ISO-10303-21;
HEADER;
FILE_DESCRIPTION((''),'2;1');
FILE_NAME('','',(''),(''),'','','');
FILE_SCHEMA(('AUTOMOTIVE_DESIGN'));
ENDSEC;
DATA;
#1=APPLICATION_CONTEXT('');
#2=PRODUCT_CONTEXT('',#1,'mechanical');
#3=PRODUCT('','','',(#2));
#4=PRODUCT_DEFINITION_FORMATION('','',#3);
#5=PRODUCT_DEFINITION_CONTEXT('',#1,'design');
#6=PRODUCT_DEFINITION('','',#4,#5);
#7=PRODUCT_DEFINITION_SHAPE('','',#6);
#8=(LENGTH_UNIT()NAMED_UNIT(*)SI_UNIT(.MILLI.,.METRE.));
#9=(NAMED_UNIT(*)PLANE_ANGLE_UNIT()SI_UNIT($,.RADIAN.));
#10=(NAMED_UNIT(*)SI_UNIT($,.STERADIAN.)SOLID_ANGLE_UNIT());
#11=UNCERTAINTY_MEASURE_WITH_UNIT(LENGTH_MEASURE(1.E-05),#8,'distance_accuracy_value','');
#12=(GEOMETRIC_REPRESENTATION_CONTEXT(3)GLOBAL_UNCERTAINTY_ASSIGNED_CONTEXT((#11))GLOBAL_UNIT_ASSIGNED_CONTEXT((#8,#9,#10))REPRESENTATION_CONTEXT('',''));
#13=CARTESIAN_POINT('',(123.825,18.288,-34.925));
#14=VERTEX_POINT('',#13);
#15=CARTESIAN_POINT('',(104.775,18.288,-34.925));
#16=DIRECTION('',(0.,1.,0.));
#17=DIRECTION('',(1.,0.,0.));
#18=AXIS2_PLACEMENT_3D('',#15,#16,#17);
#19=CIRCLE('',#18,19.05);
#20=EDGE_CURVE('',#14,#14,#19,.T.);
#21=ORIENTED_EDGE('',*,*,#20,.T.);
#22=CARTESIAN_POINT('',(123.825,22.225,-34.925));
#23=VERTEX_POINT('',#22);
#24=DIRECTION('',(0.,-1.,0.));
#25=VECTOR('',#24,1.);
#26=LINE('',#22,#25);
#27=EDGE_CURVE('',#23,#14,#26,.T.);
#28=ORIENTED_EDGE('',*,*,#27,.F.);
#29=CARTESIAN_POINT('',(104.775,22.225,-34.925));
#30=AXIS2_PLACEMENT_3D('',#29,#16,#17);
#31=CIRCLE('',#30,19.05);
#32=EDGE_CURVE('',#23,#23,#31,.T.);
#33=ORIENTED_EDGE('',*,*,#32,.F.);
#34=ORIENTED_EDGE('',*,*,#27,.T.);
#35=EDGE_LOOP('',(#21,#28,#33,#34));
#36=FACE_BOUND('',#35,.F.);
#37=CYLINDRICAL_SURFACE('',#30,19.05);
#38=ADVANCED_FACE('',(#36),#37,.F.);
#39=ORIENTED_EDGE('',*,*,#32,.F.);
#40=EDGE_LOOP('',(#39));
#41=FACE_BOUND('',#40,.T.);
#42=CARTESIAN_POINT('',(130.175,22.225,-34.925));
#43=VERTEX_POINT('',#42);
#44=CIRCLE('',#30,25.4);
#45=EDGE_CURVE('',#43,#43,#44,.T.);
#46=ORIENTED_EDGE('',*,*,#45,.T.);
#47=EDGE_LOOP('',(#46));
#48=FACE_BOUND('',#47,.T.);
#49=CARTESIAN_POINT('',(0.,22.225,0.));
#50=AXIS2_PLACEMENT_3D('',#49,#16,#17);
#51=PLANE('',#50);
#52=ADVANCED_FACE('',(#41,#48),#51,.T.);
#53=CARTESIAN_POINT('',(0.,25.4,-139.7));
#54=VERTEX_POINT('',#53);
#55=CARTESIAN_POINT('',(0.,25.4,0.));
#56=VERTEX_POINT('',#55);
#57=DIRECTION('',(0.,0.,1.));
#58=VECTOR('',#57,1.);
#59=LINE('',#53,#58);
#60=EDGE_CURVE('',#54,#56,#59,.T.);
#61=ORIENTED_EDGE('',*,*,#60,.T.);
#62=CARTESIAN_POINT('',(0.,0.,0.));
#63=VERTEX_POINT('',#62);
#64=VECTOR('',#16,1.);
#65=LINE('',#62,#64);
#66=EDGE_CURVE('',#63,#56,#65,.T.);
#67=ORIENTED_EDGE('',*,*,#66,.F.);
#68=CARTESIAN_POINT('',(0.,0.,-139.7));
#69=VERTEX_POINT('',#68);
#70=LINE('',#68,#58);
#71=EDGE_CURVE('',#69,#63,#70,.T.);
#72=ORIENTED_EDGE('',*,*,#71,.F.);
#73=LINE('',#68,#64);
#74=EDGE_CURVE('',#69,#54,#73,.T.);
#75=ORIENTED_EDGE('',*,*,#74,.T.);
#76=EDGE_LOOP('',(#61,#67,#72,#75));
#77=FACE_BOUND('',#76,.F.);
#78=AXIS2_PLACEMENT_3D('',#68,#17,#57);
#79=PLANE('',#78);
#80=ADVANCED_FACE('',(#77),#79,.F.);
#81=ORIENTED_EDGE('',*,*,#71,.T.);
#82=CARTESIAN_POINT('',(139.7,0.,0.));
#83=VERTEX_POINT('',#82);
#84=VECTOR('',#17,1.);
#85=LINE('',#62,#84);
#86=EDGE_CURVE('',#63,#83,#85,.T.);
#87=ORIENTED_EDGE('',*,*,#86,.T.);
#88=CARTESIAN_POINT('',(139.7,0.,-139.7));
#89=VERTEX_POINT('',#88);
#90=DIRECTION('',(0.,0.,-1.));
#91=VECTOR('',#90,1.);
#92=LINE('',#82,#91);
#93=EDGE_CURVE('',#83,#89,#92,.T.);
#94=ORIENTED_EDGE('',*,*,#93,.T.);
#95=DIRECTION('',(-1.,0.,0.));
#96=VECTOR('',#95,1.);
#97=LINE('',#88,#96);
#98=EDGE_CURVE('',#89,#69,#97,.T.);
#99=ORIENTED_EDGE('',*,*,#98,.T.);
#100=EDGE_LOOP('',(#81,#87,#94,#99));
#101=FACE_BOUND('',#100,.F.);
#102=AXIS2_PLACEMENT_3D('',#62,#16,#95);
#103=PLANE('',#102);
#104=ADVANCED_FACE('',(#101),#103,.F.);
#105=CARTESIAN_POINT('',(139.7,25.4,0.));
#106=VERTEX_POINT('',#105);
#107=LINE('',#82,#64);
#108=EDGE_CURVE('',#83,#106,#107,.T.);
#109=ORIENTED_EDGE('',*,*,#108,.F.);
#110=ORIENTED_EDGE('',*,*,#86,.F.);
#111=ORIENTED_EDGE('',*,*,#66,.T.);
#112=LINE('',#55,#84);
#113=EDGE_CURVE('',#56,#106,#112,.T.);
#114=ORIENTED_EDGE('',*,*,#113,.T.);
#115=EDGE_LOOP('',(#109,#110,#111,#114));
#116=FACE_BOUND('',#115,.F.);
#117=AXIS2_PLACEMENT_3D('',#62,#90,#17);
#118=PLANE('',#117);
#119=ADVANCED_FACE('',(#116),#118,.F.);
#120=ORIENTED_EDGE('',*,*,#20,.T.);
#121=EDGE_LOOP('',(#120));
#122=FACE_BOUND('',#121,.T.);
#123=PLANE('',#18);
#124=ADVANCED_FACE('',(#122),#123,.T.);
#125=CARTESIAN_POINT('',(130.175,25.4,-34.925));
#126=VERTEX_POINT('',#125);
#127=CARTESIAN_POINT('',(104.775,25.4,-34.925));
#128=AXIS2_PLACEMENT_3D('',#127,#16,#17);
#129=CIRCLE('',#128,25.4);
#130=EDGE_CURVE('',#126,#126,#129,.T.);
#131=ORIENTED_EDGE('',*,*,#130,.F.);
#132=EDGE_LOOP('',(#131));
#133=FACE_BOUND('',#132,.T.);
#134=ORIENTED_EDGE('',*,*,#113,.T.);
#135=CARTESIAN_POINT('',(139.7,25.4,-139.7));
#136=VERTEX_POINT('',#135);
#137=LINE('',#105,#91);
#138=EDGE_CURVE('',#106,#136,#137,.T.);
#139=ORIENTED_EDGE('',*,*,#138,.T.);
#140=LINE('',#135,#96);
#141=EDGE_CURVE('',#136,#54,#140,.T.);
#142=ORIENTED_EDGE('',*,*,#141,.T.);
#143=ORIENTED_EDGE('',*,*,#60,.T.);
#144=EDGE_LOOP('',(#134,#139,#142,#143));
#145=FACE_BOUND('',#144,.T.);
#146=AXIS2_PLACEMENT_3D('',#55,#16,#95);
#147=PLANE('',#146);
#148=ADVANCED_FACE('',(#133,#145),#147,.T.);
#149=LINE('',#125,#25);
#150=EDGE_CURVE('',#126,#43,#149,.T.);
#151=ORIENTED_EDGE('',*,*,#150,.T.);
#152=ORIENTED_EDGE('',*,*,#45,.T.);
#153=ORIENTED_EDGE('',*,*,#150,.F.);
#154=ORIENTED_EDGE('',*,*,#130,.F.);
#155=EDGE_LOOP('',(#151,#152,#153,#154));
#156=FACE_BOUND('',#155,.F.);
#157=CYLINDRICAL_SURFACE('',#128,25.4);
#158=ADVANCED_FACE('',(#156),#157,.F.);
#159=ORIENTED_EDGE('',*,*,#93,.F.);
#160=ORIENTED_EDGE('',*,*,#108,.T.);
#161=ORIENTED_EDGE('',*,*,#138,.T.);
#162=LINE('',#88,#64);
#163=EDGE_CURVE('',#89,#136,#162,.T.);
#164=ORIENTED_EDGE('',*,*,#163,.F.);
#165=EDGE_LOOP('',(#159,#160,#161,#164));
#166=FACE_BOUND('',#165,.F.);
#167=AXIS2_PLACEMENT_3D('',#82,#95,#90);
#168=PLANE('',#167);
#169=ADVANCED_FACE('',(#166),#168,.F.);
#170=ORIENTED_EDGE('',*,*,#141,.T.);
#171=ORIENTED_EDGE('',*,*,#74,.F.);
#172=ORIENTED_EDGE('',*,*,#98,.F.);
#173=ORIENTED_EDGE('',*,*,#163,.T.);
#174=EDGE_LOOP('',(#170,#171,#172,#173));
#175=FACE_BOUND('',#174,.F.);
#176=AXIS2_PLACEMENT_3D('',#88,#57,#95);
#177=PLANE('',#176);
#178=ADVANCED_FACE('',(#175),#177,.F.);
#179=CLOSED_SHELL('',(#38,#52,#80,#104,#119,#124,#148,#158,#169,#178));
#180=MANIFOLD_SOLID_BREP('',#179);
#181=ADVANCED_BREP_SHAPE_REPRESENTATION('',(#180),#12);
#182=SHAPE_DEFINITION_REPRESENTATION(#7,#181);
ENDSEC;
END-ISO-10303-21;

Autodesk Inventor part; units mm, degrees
ref_plane "YZ Plane" through (0, 0, 0) normal (1, 0, 0) x (0, 1, 0)
ref_plane "XZ Plane" through (0, 0, 0) normal (0, 1, 0) x (-1, 0, 0)
ref_plane "XY Plane" through (0, 0, 0) normal (0, 0, 1) x (1, 0, 0)
sketch "Sketch1" plane through (0, 0, 0) normal (0, 1, 0) x (-1, 0, 0)
  line L0 (0, 0) -> (-139.7, 0)
  line L1 (-139.7, 0) -> (-139.7, -139.7)
  line L2 (-139.7, -139.7) -> (0, -139.7)
  line L3 (0, -139.7) -> (0, 0)
  dimension "d0" = 139.7
  dimension "d1" = 139.7
extrude "Extrusion1" add sketch "Sketch1" along normal blind 25.4
sketch "Sketch2" plane through (0, 25.4, 0) normal (0, 1, 0) x (1, 0, 0)
  circle A0 centre (104.775, 34.925) radius 25.4
  line L0 (0, 0) -> (139.7, 0) projected
  line L1 (139.7, 0) -> (139.7, 139.7) projected
  line L2 (139.7, 139.7) -> (0, 139.7) projected
  line L3 (0, 139.7) -> (0, 0) projected
  dimension "d4" = 50.8
  dimension "d5" = 34.925
  dimension "d6" = 34.925
extrude "Extrusion2" cut sketch "Sketch2" against normal blind 3.175 contours A0
sketch "Sketch3" plane through (104.775, 22.225, -34.925) normal (0, 1, 0) x (1, 0, 0)
  circle A0 centre (0, 0) radius 19.05
  point P0 (-104.775, -34.925)
  dimension "d9" = 38.1
extrude "Extrusion3" cut sketch "Sketch3" against normal blind 3.937
equation "\"d5\" = d6"
properties part number "Saber plaque"
